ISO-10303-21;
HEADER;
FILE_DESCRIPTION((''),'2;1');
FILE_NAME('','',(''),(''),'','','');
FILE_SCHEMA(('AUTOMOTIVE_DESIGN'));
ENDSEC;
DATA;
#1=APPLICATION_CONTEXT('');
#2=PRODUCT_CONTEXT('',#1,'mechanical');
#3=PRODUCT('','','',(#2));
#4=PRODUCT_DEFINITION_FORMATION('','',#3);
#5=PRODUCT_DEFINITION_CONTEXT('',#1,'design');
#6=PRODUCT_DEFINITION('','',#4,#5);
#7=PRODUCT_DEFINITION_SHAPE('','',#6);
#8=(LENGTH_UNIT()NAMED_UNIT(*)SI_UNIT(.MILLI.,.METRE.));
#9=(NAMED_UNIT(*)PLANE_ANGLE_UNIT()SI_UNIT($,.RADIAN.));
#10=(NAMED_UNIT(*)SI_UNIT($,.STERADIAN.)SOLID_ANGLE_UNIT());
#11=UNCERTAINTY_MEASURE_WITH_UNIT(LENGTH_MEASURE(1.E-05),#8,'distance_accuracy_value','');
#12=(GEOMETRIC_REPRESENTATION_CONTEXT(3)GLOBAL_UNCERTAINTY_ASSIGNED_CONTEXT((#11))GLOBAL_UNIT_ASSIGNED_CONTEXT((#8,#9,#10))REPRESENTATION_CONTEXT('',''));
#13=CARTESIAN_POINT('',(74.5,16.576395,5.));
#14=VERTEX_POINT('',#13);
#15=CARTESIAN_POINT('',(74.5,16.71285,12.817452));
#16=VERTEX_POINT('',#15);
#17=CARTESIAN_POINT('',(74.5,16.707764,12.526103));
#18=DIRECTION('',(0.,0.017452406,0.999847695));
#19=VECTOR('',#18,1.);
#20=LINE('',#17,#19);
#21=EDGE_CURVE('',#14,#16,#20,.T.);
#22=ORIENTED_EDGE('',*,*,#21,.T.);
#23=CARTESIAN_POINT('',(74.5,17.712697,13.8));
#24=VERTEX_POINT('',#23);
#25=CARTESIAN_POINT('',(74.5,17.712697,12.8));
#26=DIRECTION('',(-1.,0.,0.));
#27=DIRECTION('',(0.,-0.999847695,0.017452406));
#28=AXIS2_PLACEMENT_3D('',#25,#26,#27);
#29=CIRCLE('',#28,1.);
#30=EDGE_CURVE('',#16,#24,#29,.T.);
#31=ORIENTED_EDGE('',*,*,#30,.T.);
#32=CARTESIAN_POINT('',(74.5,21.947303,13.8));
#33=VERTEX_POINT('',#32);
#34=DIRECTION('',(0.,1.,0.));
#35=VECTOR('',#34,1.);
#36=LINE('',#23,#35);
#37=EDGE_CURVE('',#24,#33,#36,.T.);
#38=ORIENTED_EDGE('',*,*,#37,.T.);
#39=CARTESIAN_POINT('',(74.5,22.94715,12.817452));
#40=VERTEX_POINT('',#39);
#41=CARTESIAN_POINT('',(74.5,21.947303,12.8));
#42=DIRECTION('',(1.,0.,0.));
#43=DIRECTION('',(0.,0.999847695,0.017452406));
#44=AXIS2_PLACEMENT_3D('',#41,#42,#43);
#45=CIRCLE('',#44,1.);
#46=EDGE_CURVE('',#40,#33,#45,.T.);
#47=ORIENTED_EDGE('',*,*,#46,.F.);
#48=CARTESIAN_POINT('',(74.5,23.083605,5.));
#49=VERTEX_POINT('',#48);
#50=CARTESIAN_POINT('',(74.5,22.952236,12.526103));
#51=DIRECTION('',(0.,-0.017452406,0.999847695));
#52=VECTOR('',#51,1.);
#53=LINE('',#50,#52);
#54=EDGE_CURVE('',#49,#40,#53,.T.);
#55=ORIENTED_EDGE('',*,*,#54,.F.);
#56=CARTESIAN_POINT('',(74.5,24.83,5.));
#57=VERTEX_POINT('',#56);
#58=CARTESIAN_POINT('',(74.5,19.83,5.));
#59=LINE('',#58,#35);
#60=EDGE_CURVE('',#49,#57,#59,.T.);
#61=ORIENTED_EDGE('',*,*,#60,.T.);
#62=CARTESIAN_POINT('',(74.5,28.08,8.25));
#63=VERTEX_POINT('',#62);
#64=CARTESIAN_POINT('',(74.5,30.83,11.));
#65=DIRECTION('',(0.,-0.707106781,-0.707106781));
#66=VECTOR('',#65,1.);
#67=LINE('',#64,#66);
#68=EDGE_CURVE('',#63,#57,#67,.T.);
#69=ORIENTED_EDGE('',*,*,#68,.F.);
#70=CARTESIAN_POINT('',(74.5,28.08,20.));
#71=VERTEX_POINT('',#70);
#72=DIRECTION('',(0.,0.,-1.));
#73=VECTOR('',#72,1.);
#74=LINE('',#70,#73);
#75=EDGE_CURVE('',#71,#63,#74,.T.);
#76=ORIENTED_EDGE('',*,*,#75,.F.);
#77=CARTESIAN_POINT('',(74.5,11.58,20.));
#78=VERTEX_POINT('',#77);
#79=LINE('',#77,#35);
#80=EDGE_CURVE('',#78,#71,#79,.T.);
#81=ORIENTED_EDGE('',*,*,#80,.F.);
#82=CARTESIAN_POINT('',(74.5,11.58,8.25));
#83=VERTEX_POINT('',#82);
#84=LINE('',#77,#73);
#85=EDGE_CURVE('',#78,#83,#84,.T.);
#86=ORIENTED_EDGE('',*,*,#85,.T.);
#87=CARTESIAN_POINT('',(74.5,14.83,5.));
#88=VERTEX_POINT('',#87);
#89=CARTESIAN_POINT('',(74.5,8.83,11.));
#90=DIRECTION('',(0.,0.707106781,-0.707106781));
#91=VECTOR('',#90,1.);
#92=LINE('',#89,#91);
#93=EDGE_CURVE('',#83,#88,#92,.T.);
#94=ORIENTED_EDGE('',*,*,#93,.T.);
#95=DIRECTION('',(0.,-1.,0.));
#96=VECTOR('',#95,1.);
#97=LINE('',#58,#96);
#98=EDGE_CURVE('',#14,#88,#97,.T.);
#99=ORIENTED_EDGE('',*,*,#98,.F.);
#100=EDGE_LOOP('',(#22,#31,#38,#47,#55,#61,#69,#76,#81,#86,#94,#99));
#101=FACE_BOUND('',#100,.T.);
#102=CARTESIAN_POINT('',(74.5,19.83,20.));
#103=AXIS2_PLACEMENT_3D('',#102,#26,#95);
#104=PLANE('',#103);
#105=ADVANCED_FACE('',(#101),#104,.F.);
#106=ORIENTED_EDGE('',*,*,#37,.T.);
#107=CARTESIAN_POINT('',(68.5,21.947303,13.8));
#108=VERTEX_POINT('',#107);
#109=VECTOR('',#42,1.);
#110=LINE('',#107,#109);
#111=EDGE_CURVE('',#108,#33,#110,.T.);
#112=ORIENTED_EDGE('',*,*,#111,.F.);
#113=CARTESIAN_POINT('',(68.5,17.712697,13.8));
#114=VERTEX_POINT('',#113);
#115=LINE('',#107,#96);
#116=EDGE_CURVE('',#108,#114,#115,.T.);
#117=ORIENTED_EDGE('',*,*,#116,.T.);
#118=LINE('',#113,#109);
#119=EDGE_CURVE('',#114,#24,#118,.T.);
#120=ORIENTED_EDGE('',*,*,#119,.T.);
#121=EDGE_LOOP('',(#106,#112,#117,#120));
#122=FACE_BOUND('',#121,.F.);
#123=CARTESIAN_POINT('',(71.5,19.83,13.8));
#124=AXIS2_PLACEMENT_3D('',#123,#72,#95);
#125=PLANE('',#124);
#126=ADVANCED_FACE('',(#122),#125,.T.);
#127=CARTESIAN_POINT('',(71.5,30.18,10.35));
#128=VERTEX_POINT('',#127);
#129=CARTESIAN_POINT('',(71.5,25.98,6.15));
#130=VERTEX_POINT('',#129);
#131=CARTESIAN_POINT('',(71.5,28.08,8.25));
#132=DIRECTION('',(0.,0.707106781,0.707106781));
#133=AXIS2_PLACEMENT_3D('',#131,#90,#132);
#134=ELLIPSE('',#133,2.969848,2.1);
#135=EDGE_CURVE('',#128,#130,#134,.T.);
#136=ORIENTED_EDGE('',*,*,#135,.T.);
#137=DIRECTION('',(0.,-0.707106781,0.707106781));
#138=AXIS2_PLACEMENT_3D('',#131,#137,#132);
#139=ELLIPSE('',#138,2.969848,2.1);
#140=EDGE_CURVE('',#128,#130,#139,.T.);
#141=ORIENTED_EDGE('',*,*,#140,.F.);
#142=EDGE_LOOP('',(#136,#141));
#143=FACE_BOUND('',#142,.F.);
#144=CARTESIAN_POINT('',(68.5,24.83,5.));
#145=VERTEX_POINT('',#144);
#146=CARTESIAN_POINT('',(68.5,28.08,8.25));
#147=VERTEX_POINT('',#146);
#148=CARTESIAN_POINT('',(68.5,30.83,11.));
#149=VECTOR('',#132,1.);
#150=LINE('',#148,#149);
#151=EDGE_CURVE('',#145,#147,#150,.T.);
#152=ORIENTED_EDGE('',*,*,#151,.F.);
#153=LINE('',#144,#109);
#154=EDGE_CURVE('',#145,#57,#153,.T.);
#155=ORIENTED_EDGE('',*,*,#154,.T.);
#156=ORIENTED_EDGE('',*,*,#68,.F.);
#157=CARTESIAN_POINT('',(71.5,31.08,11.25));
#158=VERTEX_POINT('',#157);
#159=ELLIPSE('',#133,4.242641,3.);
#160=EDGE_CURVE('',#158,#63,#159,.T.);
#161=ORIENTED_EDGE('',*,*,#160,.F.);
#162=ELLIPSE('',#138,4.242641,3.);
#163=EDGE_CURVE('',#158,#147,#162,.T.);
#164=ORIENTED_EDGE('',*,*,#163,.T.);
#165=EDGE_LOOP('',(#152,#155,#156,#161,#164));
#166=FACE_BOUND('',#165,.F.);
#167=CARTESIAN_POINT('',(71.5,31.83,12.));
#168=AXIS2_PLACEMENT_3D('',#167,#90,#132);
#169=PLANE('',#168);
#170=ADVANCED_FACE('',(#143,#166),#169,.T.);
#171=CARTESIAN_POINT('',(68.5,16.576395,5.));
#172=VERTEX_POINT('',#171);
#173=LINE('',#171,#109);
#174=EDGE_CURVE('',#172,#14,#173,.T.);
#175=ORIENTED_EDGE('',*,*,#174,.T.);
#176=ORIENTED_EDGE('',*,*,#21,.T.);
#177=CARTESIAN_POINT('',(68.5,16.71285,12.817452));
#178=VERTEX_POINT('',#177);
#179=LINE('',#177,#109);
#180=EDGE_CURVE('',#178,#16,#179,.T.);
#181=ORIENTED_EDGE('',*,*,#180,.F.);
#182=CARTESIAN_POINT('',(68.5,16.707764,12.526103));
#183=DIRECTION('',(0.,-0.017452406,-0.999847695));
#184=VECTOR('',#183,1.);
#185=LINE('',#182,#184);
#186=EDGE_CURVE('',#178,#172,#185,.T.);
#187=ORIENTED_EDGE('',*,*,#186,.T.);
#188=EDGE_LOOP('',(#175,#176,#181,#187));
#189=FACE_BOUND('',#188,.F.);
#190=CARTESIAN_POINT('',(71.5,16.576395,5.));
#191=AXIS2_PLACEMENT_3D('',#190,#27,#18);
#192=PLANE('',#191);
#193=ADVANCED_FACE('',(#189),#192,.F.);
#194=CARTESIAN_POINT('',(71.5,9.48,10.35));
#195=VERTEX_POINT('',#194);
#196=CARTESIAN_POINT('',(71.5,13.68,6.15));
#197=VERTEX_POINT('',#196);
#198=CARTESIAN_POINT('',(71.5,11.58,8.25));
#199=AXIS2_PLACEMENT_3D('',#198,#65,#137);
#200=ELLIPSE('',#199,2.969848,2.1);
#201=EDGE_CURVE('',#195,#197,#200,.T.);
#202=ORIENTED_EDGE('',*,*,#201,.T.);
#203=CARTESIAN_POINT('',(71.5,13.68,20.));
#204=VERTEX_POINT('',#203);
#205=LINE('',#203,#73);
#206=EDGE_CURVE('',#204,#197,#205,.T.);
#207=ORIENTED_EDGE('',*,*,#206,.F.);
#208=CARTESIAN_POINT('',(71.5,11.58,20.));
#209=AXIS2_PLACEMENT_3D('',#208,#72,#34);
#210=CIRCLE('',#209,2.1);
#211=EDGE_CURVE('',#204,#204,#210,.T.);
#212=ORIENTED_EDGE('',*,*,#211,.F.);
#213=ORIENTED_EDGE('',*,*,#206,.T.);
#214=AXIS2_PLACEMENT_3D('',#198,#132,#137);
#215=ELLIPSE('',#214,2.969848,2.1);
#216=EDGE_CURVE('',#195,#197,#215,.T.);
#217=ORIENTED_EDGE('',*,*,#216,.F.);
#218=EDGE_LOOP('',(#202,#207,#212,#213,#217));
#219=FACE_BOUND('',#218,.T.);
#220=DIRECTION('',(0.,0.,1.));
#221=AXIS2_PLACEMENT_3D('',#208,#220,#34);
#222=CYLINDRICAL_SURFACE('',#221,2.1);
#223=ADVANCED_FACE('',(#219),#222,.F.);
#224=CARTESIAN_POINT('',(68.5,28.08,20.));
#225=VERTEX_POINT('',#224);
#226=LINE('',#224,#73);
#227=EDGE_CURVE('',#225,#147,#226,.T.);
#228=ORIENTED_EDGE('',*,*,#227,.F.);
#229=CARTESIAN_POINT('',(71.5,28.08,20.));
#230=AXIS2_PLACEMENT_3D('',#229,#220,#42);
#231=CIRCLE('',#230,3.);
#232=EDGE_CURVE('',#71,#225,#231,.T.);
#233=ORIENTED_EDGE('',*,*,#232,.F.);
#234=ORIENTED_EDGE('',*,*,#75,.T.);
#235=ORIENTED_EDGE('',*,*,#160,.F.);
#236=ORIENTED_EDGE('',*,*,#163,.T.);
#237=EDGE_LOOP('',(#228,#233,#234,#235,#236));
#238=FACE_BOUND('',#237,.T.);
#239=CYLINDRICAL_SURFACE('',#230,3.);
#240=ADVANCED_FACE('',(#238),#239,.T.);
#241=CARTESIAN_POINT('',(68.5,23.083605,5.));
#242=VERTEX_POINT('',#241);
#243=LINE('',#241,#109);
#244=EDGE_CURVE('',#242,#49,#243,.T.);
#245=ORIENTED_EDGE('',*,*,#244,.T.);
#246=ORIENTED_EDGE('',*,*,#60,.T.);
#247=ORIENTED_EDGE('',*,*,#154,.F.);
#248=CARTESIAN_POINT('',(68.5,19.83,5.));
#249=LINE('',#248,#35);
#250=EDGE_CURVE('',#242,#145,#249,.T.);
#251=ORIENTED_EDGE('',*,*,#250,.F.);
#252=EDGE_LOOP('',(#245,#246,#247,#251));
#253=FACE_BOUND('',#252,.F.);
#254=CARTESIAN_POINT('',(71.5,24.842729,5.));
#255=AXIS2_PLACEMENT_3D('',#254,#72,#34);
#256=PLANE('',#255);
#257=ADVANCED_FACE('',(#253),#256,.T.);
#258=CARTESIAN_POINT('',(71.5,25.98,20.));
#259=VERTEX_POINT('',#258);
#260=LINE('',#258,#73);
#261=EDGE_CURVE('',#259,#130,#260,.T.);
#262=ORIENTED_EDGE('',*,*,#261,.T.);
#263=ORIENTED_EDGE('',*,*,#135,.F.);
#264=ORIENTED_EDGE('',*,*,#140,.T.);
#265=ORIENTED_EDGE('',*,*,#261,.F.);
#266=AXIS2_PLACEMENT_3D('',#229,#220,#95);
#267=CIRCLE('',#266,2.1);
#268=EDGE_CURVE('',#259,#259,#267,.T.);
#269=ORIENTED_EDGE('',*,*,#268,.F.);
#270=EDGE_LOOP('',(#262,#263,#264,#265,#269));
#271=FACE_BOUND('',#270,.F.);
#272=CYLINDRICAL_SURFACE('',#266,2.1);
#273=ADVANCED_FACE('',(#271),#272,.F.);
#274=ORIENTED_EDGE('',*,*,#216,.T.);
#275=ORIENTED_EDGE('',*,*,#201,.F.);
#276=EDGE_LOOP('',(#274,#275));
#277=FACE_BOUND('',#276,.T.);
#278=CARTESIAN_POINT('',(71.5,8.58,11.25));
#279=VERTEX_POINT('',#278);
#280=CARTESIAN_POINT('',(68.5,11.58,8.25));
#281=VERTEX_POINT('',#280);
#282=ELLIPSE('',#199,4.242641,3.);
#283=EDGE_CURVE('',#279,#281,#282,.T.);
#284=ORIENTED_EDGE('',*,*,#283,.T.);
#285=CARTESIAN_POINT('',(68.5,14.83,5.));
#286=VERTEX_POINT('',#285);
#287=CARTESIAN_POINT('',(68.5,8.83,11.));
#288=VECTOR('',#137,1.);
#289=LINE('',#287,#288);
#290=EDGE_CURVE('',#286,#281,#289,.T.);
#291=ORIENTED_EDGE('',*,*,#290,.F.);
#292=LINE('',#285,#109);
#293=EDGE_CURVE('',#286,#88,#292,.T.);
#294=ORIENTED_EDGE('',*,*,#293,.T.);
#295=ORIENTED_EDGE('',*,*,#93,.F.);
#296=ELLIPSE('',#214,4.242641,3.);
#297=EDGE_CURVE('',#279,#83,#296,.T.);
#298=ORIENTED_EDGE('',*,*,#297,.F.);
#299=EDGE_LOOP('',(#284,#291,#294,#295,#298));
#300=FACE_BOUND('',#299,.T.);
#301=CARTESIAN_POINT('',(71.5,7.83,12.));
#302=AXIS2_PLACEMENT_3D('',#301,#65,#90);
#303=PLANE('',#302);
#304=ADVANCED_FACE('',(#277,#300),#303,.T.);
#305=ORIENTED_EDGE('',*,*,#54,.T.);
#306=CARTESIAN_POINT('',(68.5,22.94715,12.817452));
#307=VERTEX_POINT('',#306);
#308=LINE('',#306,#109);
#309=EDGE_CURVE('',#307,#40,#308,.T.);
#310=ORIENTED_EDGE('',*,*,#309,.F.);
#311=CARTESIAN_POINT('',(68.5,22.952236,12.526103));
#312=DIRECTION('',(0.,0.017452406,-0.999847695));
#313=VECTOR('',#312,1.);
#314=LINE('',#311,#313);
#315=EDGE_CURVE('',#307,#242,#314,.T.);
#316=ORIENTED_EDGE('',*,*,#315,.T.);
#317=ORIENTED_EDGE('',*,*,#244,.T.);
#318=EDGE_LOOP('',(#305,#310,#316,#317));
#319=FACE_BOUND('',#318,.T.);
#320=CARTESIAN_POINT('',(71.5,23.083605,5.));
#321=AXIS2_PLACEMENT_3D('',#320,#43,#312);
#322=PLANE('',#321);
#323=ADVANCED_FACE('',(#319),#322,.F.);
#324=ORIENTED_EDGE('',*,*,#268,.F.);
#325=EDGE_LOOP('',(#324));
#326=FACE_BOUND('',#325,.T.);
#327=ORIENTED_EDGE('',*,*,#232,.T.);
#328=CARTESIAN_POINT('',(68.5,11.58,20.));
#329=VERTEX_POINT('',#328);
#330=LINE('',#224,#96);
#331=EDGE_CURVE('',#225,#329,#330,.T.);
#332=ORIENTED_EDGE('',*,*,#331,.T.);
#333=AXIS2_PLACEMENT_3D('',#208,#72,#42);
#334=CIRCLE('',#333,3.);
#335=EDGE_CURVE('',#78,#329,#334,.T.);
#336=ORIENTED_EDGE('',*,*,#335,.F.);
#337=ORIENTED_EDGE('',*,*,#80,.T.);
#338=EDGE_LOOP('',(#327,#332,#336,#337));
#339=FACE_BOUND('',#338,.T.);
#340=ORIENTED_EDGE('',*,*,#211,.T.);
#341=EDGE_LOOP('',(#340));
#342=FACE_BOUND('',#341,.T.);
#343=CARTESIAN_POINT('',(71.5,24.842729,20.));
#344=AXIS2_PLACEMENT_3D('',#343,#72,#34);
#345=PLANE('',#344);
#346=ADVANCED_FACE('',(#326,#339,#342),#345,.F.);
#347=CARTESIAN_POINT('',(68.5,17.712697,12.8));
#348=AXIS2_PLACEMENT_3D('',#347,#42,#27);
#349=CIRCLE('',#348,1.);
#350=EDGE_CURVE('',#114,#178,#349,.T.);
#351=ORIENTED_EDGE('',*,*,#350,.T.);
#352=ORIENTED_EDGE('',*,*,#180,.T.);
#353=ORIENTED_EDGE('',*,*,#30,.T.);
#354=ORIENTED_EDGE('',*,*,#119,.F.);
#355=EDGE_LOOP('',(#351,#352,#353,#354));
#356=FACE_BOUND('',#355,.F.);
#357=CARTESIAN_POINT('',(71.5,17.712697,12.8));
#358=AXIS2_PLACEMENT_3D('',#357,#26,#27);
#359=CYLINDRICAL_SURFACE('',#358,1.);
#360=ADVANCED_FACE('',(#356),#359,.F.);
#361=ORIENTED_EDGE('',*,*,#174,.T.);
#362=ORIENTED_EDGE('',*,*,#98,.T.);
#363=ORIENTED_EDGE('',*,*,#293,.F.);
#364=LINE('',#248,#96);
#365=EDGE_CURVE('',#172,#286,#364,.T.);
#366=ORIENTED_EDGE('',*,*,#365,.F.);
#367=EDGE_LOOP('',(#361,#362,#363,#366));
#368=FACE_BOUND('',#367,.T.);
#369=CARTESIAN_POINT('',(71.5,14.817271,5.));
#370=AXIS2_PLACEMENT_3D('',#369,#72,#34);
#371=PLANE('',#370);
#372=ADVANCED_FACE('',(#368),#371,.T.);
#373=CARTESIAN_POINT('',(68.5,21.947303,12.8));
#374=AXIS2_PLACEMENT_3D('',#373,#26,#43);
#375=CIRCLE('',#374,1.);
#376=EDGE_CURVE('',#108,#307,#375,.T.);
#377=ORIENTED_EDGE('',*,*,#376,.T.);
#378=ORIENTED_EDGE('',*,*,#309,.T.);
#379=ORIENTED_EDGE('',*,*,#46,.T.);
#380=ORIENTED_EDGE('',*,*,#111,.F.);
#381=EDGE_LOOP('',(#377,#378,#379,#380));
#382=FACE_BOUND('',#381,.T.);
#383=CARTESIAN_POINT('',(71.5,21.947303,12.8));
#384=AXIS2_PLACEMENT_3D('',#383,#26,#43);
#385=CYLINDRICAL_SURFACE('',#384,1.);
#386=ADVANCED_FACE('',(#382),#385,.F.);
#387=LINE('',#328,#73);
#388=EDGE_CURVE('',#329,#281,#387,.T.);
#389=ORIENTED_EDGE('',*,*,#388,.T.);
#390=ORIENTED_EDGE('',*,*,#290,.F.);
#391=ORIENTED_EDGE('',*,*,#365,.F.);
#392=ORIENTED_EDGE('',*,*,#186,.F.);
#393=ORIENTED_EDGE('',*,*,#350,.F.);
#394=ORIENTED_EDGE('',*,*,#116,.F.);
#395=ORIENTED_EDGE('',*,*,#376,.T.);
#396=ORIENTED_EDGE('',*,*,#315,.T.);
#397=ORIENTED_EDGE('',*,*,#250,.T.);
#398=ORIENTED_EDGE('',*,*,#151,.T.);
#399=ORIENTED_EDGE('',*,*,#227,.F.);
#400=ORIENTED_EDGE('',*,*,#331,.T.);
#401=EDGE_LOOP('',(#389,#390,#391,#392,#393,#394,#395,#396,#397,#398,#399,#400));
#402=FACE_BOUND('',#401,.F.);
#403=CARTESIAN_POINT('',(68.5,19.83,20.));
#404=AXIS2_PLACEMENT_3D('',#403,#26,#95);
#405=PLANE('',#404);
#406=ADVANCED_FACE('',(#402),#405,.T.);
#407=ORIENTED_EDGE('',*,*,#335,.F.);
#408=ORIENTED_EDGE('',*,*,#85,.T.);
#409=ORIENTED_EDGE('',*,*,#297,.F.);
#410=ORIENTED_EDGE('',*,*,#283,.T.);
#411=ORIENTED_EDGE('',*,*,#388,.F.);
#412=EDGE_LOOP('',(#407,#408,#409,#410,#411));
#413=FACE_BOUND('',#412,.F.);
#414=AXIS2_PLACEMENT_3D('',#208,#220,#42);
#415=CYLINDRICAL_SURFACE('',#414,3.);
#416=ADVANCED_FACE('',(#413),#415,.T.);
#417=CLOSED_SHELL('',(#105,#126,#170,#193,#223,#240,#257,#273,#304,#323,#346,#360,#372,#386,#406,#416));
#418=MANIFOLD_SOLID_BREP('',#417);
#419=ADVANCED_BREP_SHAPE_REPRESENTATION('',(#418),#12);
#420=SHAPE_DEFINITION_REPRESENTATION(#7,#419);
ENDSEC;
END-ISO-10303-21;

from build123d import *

# Parameters (mm, degrees)
SKETCH215_R             = 2.1
PAD110_DEPTH            = 15
POCKET079_DEPTH         = 42.3742142452
POCKET079_DEPTH_BACK    = 42.3742142452
POCKET115_DEPTH         = 3.001
POCKET115_DEPTH_BACK    = 3.001
BODY091_ROLL_ANGLE      = -180
BODY091_PLACEMENT_ANGLE = 90


with BuildPart() as part:
    # Sketch215 → Pad110 (new body)
    with BuildSketch(Plane.XY):
        with BuildLine():
            ThreePointArc((-8.25, 3), (-11.25, 0), (-8.25, -3))
            Line((0, -3), (-8.25, -3))
            Line((0, 3), (0, -3))
            Line((0, 3), (-8.25, 3))
        make_face()
        with Locations((-8.25, 0)):
            Circle(SKETCH215_R, mode=Mode.SUBTRACT)
    extrude(amount=PAD110_DEPTH)

    # Sketch216 → Pocket079 (cut, two sides)
    with BuildSketch(Plane.XZ) as pocket079_sk:
        with BuildLine():
            Line((-3.2536045714, 15), (-3.117150432, 7.1825475936))
            ThreePointArc((-3.117150432, 7.1825475936), (-2.8182120012, 6.4867495508), (-2.1173027369, 6.2))
            Line((0, 6.2), (-2.1173027369, 6.2))
            Line((0, 6.2), (0, 15))
            Line((-3.2536045714, 15), (0, 15))
        make_face()
    extrude(amount=-POCKET079_DEPTH, mode=Mode.SUBTRACT)
    extrude(pocket079_sk.sketch, amount=POCKET079_DEPTH_BACK, mode=Mode.SUBTRACT)

    # Sketch268 → Pocket115 (cut, two sides)
    with BuildSketch(Plane.XZ) as pocket115_sk:
        Polygon((-12, 8), (-5, 15), (-12, 15), align=None)
    extrude(amount=-POCKET115_DEPTH, mode=Mode.SUBTRACT)
    extrude(pocket115_sk.sketch, amount=POCKET115_DEPTH_BACK, mode=Mode.SUBTRACT)

    # Mirrored046: part across Sketch216 V_Axis


with BuildPart() as part_1:
    add(part.part)
    add(part.part.mirror(Plane(origin=(0, 0, 0), x_dir=(0, -1, 0), z_dir=(1, 0, 0))))


with BuildPart() as part_2:
    # Body091 roll: moved
    add(part_1.part.rotate(Axis((0, 0, 0), (1, 0, 0)), BODY091_ROLL_ANGLE))


with BuildPart() as part_3:
    # Body091 placement: moved
    add(part_2.part.moved(Location((71.5, 19.83, 20))).rotate(Axis((71.5, 19.83, 20), (0, 0, 1)), BODY091_PLACEMENT_ANGLE))


solid = part_3.part
